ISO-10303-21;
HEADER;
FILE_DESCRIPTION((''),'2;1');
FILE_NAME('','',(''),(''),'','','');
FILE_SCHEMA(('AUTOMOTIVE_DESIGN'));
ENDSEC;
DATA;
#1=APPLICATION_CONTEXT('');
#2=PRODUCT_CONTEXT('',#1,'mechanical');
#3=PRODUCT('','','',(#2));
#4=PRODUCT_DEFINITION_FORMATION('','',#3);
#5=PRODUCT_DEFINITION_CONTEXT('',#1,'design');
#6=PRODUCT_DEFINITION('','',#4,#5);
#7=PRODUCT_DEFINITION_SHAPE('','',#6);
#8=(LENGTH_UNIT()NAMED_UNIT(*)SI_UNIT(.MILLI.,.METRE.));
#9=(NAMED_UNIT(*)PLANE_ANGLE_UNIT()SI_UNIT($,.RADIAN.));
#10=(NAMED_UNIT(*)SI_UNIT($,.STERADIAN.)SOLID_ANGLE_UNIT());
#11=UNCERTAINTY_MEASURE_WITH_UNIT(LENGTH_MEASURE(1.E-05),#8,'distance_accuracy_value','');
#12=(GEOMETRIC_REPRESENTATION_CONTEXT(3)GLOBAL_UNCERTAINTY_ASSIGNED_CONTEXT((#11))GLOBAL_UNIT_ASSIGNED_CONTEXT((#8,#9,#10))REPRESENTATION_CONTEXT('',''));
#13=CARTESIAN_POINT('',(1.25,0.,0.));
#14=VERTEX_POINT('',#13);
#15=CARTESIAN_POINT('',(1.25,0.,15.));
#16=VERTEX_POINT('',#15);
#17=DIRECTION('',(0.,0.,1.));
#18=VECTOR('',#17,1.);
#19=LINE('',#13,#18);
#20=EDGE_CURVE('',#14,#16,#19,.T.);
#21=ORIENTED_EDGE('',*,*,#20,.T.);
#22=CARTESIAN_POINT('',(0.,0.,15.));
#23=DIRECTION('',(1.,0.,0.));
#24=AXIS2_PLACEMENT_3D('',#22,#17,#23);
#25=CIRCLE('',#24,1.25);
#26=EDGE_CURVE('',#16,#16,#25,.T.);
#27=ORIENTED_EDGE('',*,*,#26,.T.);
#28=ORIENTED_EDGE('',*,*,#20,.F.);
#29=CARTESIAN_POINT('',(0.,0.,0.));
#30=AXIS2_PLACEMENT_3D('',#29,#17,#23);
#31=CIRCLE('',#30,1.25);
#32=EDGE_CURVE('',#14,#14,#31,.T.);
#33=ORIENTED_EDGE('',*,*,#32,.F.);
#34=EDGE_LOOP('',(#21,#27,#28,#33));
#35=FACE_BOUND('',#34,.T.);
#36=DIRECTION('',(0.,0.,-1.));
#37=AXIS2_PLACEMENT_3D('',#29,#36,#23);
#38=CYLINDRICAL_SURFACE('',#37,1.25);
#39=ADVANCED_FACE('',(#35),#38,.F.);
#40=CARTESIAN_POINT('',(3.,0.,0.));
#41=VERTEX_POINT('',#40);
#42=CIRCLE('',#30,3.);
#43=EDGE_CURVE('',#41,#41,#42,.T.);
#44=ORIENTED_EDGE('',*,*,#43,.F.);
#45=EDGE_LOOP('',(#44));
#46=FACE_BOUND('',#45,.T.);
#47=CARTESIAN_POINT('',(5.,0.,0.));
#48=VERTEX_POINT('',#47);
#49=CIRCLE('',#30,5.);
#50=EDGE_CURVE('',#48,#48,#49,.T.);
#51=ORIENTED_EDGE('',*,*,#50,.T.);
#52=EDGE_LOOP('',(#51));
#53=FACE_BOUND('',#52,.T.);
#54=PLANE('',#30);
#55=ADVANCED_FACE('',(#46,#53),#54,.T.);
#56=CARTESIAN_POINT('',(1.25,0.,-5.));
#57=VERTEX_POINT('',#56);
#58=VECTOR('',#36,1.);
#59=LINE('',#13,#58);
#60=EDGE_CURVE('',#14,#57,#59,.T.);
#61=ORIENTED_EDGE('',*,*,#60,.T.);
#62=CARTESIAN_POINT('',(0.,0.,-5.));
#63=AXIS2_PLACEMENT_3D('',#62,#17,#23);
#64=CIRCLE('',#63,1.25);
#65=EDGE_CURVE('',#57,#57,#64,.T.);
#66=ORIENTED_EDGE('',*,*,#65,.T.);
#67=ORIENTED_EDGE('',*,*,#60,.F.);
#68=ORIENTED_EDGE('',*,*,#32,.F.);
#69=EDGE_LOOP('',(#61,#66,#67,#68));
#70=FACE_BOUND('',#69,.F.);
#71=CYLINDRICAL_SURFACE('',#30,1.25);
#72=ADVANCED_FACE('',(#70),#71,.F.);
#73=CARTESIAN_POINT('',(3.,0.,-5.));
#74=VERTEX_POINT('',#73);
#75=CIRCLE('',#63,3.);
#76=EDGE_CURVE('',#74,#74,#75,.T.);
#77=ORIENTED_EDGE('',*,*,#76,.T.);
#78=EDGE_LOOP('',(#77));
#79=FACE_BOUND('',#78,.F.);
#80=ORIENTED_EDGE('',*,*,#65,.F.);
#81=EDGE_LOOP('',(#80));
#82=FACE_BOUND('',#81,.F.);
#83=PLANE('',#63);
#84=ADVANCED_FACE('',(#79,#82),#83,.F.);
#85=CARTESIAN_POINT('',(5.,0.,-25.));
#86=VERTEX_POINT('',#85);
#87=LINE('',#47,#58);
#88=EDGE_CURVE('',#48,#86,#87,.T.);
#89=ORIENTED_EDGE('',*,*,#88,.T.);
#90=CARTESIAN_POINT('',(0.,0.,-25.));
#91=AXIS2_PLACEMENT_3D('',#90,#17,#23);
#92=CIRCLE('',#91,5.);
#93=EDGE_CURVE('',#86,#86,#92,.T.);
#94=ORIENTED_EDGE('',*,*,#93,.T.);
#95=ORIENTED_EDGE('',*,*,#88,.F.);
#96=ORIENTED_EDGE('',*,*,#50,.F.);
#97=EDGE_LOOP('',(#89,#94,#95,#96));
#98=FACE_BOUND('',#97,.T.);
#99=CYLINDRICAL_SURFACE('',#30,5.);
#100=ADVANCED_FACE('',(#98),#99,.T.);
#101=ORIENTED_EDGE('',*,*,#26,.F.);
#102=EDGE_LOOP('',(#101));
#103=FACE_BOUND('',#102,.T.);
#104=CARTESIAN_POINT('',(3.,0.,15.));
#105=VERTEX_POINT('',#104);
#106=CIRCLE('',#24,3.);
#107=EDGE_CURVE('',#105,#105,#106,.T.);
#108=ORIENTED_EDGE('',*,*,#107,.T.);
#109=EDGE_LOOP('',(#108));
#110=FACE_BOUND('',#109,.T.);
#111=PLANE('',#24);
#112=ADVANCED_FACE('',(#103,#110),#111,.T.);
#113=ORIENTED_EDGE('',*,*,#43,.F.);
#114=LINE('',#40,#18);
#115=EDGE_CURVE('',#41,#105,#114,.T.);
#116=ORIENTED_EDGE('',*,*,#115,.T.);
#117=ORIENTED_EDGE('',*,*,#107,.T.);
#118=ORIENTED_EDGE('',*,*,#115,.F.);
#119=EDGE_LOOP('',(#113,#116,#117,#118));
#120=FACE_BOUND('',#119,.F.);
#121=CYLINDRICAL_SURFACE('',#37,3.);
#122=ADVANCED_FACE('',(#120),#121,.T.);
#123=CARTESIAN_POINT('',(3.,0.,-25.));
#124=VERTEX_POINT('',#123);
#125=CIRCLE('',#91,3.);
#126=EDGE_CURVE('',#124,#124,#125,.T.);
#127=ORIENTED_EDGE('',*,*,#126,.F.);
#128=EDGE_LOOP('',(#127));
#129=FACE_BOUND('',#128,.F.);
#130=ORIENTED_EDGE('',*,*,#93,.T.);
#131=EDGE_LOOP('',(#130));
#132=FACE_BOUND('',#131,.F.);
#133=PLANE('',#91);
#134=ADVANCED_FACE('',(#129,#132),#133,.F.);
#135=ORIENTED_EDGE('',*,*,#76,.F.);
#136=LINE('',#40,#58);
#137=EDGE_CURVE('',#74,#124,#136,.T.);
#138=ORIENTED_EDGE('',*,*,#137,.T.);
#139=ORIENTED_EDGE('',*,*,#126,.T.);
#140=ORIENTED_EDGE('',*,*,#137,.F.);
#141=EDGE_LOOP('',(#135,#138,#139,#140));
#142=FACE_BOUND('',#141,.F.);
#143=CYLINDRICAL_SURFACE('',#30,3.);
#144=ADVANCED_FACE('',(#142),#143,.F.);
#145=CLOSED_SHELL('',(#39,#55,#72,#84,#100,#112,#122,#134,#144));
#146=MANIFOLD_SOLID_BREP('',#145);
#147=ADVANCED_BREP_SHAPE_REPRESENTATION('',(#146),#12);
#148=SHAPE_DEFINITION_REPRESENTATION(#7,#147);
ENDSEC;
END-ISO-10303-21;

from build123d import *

# Parameters (mm, degrees)
F0_R          = 5
F0_R_2        = 3
F1_DEPTH      = 25
F0_R_3        = 1.25
F2_DEPTH      = 15
F2_DEPTH_BACK = 5


with BuildPart() as f1:
    # F0 (on Top) → F1 (new body)
    with BuildSketch(Plane.XY):
        Circle(F0_R)
        Circle(F0_R_2, mode=Mode.SUBTRACT)
    extrude(amount=-F1_DEPTH)

    # F0 (on Top) → F2 (join, two sides)
    with BuildSketch(Plane.XY) as f2_sk:
        Circle(F0_R_2)
        Circle(F0_R_3, mode=Mode.SUBTRACT)
    extrude(amount=F2_DEPTH)
    extrude(f2_sk.sketch, amount=-F2_DEPTH_BACK)


solid = f1.part
